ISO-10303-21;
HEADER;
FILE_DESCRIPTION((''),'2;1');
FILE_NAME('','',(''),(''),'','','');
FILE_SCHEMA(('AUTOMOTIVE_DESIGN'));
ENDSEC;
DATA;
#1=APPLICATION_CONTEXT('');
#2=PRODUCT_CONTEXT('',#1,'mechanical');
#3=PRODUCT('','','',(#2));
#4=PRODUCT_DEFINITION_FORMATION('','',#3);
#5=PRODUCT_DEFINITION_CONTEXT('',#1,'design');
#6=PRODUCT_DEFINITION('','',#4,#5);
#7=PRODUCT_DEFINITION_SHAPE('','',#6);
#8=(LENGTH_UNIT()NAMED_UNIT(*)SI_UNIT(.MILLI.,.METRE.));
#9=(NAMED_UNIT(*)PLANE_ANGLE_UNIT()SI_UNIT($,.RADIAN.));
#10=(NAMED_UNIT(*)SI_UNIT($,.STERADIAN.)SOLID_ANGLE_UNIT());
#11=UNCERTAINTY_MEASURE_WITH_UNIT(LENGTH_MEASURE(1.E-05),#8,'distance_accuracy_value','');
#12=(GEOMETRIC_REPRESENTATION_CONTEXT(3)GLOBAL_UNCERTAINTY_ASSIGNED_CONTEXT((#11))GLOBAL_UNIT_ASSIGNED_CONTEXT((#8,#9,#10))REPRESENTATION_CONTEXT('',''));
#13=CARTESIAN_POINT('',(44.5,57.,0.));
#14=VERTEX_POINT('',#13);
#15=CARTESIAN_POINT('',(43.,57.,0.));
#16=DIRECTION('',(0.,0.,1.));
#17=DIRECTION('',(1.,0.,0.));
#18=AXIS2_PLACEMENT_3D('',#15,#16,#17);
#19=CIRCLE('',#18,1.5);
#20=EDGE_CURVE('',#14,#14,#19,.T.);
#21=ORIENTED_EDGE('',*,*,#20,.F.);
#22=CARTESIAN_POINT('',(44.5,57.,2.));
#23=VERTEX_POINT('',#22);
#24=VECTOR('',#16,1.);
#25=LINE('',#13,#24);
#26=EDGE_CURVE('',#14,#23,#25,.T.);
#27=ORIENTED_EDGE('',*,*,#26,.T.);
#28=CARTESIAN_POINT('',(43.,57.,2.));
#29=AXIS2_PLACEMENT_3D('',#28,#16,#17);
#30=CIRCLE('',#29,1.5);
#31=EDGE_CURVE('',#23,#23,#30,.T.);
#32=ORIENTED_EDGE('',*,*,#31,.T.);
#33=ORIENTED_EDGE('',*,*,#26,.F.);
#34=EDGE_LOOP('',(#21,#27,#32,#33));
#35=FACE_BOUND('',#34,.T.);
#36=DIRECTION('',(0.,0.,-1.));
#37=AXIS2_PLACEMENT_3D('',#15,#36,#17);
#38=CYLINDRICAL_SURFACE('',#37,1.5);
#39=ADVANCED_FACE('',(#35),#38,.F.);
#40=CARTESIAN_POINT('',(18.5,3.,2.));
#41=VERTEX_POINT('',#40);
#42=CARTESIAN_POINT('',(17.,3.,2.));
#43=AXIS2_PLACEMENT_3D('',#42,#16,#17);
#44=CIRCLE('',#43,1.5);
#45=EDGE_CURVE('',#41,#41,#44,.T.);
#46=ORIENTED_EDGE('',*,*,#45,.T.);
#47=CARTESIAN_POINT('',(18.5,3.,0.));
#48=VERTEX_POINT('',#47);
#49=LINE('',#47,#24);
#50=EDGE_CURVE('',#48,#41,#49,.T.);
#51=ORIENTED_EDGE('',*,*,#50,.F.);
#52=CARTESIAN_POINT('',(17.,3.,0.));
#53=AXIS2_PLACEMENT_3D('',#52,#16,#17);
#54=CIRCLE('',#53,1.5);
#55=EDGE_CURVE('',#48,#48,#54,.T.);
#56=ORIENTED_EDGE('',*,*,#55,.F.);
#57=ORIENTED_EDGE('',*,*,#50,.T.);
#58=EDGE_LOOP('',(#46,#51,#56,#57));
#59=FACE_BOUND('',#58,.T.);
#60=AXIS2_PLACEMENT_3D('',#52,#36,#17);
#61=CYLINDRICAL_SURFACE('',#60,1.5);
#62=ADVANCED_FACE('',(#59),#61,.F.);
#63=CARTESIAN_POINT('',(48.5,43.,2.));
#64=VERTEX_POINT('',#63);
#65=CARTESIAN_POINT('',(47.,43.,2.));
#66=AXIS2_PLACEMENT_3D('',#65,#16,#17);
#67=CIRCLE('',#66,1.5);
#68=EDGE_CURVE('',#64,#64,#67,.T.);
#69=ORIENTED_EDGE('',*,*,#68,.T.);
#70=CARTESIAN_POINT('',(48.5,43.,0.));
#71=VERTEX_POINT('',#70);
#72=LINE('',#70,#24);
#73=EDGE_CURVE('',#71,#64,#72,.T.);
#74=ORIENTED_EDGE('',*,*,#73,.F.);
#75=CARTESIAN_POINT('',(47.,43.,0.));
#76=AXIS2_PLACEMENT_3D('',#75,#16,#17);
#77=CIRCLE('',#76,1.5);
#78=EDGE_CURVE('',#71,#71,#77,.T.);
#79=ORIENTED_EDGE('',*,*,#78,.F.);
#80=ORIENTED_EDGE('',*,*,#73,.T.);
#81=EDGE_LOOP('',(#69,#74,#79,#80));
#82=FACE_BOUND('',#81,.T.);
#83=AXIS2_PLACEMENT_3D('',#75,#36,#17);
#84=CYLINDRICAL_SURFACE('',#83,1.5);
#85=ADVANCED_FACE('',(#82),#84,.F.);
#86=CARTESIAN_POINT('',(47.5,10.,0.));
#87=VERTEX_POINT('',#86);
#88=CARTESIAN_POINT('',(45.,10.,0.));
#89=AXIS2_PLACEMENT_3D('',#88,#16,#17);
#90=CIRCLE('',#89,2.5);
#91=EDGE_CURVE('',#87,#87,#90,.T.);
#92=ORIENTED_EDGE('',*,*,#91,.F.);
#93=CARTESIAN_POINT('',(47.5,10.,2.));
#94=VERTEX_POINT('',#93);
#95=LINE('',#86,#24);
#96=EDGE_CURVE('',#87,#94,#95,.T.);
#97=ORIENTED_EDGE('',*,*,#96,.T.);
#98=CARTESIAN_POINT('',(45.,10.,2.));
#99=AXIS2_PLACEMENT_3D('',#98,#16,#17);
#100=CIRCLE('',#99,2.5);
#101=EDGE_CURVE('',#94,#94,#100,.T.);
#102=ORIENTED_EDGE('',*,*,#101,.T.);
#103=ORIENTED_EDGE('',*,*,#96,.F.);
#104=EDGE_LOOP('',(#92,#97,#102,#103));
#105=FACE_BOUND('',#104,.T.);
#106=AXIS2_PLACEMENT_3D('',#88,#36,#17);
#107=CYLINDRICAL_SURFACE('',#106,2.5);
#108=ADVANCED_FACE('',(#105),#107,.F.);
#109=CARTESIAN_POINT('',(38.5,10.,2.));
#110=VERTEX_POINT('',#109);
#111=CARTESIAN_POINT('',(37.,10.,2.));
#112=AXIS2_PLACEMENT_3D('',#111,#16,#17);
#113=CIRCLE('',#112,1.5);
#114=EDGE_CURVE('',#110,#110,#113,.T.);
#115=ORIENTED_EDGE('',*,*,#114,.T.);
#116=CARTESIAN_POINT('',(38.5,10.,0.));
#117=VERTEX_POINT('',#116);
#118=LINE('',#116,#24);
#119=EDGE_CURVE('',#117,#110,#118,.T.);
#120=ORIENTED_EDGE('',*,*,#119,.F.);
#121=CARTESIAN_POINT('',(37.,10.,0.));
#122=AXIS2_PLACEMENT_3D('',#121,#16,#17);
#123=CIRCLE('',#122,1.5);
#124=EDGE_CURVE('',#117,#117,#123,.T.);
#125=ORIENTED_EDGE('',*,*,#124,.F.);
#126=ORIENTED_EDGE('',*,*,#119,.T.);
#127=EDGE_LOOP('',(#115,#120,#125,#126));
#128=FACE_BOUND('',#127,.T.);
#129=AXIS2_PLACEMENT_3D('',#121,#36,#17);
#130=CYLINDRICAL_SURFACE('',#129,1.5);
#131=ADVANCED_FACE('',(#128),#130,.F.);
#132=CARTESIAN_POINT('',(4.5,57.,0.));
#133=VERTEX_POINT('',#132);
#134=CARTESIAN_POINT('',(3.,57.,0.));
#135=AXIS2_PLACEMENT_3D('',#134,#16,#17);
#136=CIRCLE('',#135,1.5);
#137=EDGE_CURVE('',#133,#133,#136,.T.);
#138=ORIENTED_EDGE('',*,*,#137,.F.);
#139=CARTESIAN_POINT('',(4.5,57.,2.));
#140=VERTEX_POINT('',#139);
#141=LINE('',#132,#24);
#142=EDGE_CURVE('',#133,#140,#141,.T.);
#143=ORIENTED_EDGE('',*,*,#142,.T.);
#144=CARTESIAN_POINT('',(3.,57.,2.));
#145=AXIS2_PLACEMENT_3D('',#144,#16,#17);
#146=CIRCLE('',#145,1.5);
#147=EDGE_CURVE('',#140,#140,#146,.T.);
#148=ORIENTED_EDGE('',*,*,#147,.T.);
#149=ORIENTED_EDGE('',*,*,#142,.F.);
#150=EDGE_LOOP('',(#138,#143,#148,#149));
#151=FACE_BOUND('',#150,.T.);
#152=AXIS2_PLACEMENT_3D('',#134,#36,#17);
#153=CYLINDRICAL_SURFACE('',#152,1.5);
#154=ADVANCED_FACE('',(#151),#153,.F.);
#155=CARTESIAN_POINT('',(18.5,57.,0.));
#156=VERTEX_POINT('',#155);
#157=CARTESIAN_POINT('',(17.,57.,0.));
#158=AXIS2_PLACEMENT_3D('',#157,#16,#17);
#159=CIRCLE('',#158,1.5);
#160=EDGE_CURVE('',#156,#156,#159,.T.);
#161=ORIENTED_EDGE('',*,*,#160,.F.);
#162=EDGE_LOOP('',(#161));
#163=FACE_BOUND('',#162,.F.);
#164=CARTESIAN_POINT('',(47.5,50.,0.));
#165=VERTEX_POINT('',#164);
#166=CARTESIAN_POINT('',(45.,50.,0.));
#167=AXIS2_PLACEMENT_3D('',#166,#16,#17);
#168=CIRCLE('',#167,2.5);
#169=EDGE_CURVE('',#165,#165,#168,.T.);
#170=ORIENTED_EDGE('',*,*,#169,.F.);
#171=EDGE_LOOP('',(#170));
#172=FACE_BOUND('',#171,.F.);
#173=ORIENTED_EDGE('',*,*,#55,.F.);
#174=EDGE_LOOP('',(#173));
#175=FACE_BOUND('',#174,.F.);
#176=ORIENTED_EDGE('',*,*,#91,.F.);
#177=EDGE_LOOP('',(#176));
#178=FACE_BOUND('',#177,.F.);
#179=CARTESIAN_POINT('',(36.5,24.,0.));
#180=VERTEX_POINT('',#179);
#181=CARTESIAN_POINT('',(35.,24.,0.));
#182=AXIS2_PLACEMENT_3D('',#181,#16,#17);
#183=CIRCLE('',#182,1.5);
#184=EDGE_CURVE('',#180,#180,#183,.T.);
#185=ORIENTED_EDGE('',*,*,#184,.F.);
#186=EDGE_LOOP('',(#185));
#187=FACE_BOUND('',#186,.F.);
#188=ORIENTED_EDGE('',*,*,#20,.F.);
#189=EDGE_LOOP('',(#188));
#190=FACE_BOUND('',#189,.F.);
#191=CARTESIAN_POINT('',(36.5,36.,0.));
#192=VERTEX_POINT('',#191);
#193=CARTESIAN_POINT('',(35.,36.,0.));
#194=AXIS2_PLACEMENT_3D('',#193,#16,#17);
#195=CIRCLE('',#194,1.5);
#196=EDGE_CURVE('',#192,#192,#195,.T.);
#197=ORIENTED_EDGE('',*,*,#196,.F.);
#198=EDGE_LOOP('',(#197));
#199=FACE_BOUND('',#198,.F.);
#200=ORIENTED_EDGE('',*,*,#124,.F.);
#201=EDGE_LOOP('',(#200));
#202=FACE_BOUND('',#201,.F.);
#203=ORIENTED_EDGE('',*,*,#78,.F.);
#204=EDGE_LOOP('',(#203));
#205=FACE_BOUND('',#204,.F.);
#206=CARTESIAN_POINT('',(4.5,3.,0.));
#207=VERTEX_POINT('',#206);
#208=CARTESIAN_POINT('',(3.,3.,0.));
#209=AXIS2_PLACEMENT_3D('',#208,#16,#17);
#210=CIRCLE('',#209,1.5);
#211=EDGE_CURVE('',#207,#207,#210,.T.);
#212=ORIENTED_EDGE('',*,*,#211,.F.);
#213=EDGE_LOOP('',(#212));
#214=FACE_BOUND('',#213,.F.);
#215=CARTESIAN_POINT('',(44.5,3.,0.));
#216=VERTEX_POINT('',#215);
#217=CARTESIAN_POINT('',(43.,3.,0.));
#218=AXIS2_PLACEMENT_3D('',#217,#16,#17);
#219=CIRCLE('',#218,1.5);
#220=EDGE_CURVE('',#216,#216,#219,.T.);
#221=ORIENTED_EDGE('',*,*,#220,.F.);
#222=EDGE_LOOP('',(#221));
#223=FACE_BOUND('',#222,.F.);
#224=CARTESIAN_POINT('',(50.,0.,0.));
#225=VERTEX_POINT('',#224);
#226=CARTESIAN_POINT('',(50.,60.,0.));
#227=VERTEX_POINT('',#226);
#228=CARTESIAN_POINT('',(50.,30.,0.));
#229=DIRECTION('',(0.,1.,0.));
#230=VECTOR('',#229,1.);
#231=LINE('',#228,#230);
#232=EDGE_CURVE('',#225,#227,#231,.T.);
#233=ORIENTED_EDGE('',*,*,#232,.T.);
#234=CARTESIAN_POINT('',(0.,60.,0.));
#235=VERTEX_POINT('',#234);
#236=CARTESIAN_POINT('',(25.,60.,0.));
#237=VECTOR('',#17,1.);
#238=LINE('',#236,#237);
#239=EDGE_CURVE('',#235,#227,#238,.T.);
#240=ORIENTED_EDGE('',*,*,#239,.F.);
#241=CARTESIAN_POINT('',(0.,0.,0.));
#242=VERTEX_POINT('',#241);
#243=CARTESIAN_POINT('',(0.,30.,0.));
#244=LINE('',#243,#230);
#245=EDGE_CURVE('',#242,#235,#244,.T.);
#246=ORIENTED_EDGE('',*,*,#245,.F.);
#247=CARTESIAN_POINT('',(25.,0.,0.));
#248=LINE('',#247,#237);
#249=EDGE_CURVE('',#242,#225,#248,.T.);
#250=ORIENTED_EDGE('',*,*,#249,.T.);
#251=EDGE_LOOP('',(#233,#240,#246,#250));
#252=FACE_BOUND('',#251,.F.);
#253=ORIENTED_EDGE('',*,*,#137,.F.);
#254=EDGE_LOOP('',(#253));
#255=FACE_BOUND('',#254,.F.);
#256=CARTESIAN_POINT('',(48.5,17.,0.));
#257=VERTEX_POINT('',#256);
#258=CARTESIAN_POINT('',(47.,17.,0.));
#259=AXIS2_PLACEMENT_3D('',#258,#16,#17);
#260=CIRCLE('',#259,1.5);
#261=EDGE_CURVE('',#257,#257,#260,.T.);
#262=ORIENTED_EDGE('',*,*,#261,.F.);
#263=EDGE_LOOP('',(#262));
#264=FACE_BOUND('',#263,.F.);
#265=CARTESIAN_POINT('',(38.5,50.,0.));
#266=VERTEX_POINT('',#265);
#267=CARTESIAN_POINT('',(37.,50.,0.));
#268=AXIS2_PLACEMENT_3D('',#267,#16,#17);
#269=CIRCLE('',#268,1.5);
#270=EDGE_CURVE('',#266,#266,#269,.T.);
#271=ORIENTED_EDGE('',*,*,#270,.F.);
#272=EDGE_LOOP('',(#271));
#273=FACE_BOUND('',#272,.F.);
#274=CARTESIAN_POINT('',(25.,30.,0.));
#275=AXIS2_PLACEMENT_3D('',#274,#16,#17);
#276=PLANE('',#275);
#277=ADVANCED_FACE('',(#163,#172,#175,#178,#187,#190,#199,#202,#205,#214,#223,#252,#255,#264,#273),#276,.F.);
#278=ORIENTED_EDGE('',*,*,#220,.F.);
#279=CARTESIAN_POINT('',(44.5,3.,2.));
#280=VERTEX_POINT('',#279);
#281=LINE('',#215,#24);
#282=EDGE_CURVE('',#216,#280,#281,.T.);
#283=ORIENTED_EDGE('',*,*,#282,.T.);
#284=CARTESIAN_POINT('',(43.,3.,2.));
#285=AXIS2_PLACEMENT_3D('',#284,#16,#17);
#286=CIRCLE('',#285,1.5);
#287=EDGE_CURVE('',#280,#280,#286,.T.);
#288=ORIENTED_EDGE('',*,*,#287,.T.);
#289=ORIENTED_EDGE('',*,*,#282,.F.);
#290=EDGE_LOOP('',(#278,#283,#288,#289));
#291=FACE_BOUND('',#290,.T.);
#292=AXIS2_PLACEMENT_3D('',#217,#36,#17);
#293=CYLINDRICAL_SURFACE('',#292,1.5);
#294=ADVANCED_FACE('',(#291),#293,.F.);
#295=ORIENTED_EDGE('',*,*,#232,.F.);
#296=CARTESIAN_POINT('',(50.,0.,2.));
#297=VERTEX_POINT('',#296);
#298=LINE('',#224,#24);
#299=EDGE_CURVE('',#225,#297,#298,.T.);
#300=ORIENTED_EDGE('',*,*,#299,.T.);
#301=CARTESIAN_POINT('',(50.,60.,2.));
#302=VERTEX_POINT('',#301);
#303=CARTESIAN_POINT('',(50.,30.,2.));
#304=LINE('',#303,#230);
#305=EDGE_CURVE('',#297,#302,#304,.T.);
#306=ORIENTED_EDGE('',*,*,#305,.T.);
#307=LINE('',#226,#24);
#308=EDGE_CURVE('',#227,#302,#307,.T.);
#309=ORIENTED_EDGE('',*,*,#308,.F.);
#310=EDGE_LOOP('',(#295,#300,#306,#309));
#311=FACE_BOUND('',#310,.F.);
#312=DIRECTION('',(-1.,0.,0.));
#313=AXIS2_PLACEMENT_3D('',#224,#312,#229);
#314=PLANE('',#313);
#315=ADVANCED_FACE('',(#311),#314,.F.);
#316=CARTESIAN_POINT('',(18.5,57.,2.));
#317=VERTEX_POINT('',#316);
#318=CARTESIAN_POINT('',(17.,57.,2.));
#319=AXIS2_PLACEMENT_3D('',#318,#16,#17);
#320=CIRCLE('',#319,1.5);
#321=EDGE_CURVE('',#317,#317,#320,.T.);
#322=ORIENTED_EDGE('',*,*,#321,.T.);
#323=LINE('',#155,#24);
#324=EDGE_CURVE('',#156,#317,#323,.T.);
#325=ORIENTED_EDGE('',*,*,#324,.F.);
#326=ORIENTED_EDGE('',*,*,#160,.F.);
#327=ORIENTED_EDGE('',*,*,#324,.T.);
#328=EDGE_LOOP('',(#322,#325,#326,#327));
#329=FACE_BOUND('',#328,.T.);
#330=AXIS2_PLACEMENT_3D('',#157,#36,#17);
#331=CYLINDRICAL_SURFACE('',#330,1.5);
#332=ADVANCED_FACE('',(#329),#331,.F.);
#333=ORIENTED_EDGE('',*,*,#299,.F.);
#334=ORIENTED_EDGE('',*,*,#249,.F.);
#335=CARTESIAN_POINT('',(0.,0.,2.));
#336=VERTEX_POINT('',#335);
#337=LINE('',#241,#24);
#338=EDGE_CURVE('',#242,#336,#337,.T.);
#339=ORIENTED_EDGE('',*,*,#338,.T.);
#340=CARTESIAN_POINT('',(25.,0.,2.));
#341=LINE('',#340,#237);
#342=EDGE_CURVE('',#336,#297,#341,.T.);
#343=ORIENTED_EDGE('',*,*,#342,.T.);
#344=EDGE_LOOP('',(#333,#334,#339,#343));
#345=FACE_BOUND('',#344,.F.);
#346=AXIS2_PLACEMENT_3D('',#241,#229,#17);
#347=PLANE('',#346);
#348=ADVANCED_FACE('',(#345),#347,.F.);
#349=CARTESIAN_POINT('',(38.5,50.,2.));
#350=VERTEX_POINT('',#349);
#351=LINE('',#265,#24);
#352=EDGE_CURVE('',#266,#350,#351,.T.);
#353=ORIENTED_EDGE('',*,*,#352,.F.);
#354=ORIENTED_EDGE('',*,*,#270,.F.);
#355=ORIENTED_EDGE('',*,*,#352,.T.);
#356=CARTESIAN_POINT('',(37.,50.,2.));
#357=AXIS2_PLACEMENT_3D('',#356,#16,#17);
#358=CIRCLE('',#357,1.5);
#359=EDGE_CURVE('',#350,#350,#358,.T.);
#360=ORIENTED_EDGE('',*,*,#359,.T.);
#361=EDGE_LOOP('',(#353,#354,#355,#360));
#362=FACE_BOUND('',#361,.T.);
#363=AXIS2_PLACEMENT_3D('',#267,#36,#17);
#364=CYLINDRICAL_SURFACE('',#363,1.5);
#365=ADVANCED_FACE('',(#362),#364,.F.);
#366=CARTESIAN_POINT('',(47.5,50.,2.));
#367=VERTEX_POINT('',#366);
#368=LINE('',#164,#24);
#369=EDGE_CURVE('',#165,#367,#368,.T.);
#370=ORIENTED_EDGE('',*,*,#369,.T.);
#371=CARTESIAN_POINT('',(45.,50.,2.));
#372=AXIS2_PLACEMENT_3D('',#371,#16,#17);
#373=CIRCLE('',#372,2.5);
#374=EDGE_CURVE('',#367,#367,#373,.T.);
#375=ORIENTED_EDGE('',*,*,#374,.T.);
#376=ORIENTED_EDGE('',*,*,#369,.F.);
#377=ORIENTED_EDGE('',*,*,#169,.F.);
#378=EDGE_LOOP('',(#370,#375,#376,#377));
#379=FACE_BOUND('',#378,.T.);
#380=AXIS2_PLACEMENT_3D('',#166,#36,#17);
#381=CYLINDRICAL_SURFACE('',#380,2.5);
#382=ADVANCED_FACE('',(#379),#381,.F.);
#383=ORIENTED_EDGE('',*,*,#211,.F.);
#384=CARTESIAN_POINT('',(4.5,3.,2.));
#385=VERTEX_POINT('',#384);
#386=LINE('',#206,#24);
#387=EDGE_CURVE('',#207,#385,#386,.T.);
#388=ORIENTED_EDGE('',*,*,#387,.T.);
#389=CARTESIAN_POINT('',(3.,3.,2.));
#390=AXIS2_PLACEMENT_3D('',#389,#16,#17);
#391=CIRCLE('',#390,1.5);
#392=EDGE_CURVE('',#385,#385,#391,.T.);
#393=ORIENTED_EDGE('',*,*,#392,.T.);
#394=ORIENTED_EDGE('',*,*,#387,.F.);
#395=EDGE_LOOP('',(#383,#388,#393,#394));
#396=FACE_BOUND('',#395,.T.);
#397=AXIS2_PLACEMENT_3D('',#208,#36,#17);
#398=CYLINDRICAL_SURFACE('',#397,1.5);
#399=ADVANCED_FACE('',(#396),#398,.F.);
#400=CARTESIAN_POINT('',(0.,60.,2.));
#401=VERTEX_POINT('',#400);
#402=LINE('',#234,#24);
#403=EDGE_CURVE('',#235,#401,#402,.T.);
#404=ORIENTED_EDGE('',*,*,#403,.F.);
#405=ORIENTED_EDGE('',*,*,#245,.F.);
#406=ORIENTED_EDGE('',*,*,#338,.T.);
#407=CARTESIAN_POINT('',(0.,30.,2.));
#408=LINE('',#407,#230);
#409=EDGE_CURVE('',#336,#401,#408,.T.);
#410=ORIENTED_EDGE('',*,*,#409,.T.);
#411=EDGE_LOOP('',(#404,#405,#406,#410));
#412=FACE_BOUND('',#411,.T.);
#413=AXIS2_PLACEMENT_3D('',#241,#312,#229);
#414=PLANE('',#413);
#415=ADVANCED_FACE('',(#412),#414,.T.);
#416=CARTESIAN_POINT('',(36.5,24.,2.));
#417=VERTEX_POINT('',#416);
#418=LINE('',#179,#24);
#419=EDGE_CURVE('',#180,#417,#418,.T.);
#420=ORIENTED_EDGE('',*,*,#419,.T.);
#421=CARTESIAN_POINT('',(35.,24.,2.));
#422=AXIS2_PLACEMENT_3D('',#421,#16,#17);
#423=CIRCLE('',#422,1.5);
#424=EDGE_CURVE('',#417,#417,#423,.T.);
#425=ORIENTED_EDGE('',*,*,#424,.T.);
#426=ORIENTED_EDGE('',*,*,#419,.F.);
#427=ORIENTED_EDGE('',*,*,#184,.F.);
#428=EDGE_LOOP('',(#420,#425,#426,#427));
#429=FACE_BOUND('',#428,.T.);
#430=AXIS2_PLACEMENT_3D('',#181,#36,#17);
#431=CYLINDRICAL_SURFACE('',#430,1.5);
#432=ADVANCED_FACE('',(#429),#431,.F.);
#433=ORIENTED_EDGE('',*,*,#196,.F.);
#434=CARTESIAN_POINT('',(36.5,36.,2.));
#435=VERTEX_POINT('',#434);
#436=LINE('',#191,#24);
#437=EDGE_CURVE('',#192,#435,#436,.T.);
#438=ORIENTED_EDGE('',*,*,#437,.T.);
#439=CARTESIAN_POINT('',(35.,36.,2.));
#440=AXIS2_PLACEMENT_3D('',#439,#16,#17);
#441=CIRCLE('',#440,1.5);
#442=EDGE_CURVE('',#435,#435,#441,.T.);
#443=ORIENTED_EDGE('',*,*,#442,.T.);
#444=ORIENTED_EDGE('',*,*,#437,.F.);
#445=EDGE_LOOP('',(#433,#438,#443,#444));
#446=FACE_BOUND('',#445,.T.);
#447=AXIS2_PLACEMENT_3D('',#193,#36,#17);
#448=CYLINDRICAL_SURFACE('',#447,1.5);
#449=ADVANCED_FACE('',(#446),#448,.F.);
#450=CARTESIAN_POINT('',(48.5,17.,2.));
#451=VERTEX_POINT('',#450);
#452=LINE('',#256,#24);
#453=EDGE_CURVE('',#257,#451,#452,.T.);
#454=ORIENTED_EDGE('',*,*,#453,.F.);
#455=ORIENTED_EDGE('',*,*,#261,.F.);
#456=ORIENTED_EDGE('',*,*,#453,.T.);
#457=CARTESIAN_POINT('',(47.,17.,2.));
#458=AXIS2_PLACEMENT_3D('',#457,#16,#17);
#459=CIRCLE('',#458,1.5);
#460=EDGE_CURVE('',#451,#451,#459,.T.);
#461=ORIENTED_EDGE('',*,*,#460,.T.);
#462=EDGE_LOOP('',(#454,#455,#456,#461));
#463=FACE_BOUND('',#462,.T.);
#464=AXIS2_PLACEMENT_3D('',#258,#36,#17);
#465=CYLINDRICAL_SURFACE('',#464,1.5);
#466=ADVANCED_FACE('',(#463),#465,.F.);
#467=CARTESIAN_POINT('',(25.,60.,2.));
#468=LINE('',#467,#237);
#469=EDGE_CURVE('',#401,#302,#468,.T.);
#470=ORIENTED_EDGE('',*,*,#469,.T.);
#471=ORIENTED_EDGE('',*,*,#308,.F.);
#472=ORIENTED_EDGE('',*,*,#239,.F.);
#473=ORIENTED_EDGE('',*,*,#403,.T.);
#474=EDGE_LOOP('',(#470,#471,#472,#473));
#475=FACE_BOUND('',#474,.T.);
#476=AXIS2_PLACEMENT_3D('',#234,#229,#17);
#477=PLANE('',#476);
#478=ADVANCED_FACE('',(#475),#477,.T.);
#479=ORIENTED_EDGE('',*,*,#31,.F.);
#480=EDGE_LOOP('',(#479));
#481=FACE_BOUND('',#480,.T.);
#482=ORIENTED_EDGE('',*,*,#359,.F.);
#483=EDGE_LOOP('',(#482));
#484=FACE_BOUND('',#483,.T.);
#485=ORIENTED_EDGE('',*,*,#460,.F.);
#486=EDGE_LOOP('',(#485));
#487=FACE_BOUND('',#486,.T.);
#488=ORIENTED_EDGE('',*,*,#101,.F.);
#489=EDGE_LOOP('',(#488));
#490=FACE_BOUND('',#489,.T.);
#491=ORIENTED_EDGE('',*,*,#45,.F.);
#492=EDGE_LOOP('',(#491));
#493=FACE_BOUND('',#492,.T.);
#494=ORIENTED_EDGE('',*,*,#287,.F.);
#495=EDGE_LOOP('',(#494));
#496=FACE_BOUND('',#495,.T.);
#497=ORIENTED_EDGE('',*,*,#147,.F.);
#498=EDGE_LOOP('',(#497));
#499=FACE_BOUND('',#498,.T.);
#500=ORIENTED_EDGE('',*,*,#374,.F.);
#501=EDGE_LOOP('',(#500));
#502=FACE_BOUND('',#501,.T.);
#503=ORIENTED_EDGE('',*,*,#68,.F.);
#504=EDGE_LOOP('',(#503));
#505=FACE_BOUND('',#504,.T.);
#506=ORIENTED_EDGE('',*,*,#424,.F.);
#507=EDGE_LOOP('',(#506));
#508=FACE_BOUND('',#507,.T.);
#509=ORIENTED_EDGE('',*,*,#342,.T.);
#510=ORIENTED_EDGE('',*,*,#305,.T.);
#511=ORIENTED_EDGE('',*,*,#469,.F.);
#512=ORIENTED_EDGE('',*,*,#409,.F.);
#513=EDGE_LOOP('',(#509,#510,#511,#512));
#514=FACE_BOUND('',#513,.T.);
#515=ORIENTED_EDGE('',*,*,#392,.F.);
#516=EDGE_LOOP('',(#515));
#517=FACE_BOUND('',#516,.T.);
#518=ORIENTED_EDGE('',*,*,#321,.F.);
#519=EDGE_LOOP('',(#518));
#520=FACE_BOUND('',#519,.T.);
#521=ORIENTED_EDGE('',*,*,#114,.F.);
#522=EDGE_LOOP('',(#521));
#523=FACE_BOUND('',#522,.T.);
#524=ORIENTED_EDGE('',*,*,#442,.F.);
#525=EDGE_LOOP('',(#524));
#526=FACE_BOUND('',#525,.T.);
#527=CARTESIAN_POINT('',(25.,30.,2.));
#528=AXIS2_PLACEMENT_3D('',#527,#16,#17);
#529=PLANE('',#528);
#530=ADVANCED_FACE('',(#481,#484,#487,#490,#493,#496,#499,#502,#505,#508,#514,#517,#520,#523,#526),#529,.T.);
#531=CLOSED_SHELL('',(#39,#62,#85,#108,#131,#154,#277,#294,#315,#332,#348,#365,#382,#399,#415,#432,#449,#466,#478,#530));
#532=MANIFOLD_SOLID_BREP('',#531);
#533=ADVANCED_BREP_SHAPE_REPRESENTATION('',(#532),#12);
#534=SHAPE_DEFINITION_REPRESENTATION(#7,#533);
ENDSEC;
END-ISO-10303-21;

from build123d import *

# Parameters (mm, degrees)
SKETCH1_W           = 50
SKETCH1_H           = 60
SKETCH1_R           = 1.5
SKETCH1_R_2         = 2.5
BOSS_EXTRUDE1_DEPTH = 2


with BuildPart() as part:
    # Sketch1 → Boss-Extrude1 (new body)
    with BuildSketch(Plane.XY):
        with Locations((25, 30)):
            Rectangle(SKETCH1_W, SKETCH1_H)
        with Locations((3, 57)):
            Circle(SKETCH1_R, mode=Mode.SUBTRACT)
        with Locations((17, 57)):
            Circle(SKETCH1_R, mode=Mode.SUBTRACT)
        with Locations((17, 3)):
            Circle(SKETCH1_R, mode=Mode.SUBTRACT)
        with Locations((3, 3)):
            Circle(SKETCH1_R, mode=Mode.SUBTRACT)
        with Locations((47, 17)):
            Circle(SKETCH1_R, mode=Mode.SUBTRACT)
        with Locations((43, 3)):
            Circle(SKETCH1_R, mode=Mode.SUBTRACT)
        with Locations((47, 43)):
            Circle(SKETCH1_R, mode=Mode.SUBTRACT)
        with Locations((43, 57)):
            Circle(SKETCH1_R, mode=Mode.SUBTRACT)
        with Locations((35, 24)):
            Circle(SKETCH1_R, mode=Mode.SUBTRACT)
        with Locations((35, 36)):
            Circle(SKETCH1_R, mode=Mode.SUBTRACT)
        with Locations((37, 50)):
            Circle(SKETCH1_R, mode=Mode.SUBTRACT)
        with Locations((37, 10)):
            Circle(SKETCH1_R, mode=Mode.SUBTRACT)
        with Locations((45, 50)):
            Circle(SKETCH1_R_2, mode=Mode.SUBTRACT)
        with Locations((45, 10)):
            Circle(SKETCH1_R_2, mode=Mode.SUBTRACT)
    extrude(amount=BOSS_EXTRUDE1_DEPTH)


solid = part.part
